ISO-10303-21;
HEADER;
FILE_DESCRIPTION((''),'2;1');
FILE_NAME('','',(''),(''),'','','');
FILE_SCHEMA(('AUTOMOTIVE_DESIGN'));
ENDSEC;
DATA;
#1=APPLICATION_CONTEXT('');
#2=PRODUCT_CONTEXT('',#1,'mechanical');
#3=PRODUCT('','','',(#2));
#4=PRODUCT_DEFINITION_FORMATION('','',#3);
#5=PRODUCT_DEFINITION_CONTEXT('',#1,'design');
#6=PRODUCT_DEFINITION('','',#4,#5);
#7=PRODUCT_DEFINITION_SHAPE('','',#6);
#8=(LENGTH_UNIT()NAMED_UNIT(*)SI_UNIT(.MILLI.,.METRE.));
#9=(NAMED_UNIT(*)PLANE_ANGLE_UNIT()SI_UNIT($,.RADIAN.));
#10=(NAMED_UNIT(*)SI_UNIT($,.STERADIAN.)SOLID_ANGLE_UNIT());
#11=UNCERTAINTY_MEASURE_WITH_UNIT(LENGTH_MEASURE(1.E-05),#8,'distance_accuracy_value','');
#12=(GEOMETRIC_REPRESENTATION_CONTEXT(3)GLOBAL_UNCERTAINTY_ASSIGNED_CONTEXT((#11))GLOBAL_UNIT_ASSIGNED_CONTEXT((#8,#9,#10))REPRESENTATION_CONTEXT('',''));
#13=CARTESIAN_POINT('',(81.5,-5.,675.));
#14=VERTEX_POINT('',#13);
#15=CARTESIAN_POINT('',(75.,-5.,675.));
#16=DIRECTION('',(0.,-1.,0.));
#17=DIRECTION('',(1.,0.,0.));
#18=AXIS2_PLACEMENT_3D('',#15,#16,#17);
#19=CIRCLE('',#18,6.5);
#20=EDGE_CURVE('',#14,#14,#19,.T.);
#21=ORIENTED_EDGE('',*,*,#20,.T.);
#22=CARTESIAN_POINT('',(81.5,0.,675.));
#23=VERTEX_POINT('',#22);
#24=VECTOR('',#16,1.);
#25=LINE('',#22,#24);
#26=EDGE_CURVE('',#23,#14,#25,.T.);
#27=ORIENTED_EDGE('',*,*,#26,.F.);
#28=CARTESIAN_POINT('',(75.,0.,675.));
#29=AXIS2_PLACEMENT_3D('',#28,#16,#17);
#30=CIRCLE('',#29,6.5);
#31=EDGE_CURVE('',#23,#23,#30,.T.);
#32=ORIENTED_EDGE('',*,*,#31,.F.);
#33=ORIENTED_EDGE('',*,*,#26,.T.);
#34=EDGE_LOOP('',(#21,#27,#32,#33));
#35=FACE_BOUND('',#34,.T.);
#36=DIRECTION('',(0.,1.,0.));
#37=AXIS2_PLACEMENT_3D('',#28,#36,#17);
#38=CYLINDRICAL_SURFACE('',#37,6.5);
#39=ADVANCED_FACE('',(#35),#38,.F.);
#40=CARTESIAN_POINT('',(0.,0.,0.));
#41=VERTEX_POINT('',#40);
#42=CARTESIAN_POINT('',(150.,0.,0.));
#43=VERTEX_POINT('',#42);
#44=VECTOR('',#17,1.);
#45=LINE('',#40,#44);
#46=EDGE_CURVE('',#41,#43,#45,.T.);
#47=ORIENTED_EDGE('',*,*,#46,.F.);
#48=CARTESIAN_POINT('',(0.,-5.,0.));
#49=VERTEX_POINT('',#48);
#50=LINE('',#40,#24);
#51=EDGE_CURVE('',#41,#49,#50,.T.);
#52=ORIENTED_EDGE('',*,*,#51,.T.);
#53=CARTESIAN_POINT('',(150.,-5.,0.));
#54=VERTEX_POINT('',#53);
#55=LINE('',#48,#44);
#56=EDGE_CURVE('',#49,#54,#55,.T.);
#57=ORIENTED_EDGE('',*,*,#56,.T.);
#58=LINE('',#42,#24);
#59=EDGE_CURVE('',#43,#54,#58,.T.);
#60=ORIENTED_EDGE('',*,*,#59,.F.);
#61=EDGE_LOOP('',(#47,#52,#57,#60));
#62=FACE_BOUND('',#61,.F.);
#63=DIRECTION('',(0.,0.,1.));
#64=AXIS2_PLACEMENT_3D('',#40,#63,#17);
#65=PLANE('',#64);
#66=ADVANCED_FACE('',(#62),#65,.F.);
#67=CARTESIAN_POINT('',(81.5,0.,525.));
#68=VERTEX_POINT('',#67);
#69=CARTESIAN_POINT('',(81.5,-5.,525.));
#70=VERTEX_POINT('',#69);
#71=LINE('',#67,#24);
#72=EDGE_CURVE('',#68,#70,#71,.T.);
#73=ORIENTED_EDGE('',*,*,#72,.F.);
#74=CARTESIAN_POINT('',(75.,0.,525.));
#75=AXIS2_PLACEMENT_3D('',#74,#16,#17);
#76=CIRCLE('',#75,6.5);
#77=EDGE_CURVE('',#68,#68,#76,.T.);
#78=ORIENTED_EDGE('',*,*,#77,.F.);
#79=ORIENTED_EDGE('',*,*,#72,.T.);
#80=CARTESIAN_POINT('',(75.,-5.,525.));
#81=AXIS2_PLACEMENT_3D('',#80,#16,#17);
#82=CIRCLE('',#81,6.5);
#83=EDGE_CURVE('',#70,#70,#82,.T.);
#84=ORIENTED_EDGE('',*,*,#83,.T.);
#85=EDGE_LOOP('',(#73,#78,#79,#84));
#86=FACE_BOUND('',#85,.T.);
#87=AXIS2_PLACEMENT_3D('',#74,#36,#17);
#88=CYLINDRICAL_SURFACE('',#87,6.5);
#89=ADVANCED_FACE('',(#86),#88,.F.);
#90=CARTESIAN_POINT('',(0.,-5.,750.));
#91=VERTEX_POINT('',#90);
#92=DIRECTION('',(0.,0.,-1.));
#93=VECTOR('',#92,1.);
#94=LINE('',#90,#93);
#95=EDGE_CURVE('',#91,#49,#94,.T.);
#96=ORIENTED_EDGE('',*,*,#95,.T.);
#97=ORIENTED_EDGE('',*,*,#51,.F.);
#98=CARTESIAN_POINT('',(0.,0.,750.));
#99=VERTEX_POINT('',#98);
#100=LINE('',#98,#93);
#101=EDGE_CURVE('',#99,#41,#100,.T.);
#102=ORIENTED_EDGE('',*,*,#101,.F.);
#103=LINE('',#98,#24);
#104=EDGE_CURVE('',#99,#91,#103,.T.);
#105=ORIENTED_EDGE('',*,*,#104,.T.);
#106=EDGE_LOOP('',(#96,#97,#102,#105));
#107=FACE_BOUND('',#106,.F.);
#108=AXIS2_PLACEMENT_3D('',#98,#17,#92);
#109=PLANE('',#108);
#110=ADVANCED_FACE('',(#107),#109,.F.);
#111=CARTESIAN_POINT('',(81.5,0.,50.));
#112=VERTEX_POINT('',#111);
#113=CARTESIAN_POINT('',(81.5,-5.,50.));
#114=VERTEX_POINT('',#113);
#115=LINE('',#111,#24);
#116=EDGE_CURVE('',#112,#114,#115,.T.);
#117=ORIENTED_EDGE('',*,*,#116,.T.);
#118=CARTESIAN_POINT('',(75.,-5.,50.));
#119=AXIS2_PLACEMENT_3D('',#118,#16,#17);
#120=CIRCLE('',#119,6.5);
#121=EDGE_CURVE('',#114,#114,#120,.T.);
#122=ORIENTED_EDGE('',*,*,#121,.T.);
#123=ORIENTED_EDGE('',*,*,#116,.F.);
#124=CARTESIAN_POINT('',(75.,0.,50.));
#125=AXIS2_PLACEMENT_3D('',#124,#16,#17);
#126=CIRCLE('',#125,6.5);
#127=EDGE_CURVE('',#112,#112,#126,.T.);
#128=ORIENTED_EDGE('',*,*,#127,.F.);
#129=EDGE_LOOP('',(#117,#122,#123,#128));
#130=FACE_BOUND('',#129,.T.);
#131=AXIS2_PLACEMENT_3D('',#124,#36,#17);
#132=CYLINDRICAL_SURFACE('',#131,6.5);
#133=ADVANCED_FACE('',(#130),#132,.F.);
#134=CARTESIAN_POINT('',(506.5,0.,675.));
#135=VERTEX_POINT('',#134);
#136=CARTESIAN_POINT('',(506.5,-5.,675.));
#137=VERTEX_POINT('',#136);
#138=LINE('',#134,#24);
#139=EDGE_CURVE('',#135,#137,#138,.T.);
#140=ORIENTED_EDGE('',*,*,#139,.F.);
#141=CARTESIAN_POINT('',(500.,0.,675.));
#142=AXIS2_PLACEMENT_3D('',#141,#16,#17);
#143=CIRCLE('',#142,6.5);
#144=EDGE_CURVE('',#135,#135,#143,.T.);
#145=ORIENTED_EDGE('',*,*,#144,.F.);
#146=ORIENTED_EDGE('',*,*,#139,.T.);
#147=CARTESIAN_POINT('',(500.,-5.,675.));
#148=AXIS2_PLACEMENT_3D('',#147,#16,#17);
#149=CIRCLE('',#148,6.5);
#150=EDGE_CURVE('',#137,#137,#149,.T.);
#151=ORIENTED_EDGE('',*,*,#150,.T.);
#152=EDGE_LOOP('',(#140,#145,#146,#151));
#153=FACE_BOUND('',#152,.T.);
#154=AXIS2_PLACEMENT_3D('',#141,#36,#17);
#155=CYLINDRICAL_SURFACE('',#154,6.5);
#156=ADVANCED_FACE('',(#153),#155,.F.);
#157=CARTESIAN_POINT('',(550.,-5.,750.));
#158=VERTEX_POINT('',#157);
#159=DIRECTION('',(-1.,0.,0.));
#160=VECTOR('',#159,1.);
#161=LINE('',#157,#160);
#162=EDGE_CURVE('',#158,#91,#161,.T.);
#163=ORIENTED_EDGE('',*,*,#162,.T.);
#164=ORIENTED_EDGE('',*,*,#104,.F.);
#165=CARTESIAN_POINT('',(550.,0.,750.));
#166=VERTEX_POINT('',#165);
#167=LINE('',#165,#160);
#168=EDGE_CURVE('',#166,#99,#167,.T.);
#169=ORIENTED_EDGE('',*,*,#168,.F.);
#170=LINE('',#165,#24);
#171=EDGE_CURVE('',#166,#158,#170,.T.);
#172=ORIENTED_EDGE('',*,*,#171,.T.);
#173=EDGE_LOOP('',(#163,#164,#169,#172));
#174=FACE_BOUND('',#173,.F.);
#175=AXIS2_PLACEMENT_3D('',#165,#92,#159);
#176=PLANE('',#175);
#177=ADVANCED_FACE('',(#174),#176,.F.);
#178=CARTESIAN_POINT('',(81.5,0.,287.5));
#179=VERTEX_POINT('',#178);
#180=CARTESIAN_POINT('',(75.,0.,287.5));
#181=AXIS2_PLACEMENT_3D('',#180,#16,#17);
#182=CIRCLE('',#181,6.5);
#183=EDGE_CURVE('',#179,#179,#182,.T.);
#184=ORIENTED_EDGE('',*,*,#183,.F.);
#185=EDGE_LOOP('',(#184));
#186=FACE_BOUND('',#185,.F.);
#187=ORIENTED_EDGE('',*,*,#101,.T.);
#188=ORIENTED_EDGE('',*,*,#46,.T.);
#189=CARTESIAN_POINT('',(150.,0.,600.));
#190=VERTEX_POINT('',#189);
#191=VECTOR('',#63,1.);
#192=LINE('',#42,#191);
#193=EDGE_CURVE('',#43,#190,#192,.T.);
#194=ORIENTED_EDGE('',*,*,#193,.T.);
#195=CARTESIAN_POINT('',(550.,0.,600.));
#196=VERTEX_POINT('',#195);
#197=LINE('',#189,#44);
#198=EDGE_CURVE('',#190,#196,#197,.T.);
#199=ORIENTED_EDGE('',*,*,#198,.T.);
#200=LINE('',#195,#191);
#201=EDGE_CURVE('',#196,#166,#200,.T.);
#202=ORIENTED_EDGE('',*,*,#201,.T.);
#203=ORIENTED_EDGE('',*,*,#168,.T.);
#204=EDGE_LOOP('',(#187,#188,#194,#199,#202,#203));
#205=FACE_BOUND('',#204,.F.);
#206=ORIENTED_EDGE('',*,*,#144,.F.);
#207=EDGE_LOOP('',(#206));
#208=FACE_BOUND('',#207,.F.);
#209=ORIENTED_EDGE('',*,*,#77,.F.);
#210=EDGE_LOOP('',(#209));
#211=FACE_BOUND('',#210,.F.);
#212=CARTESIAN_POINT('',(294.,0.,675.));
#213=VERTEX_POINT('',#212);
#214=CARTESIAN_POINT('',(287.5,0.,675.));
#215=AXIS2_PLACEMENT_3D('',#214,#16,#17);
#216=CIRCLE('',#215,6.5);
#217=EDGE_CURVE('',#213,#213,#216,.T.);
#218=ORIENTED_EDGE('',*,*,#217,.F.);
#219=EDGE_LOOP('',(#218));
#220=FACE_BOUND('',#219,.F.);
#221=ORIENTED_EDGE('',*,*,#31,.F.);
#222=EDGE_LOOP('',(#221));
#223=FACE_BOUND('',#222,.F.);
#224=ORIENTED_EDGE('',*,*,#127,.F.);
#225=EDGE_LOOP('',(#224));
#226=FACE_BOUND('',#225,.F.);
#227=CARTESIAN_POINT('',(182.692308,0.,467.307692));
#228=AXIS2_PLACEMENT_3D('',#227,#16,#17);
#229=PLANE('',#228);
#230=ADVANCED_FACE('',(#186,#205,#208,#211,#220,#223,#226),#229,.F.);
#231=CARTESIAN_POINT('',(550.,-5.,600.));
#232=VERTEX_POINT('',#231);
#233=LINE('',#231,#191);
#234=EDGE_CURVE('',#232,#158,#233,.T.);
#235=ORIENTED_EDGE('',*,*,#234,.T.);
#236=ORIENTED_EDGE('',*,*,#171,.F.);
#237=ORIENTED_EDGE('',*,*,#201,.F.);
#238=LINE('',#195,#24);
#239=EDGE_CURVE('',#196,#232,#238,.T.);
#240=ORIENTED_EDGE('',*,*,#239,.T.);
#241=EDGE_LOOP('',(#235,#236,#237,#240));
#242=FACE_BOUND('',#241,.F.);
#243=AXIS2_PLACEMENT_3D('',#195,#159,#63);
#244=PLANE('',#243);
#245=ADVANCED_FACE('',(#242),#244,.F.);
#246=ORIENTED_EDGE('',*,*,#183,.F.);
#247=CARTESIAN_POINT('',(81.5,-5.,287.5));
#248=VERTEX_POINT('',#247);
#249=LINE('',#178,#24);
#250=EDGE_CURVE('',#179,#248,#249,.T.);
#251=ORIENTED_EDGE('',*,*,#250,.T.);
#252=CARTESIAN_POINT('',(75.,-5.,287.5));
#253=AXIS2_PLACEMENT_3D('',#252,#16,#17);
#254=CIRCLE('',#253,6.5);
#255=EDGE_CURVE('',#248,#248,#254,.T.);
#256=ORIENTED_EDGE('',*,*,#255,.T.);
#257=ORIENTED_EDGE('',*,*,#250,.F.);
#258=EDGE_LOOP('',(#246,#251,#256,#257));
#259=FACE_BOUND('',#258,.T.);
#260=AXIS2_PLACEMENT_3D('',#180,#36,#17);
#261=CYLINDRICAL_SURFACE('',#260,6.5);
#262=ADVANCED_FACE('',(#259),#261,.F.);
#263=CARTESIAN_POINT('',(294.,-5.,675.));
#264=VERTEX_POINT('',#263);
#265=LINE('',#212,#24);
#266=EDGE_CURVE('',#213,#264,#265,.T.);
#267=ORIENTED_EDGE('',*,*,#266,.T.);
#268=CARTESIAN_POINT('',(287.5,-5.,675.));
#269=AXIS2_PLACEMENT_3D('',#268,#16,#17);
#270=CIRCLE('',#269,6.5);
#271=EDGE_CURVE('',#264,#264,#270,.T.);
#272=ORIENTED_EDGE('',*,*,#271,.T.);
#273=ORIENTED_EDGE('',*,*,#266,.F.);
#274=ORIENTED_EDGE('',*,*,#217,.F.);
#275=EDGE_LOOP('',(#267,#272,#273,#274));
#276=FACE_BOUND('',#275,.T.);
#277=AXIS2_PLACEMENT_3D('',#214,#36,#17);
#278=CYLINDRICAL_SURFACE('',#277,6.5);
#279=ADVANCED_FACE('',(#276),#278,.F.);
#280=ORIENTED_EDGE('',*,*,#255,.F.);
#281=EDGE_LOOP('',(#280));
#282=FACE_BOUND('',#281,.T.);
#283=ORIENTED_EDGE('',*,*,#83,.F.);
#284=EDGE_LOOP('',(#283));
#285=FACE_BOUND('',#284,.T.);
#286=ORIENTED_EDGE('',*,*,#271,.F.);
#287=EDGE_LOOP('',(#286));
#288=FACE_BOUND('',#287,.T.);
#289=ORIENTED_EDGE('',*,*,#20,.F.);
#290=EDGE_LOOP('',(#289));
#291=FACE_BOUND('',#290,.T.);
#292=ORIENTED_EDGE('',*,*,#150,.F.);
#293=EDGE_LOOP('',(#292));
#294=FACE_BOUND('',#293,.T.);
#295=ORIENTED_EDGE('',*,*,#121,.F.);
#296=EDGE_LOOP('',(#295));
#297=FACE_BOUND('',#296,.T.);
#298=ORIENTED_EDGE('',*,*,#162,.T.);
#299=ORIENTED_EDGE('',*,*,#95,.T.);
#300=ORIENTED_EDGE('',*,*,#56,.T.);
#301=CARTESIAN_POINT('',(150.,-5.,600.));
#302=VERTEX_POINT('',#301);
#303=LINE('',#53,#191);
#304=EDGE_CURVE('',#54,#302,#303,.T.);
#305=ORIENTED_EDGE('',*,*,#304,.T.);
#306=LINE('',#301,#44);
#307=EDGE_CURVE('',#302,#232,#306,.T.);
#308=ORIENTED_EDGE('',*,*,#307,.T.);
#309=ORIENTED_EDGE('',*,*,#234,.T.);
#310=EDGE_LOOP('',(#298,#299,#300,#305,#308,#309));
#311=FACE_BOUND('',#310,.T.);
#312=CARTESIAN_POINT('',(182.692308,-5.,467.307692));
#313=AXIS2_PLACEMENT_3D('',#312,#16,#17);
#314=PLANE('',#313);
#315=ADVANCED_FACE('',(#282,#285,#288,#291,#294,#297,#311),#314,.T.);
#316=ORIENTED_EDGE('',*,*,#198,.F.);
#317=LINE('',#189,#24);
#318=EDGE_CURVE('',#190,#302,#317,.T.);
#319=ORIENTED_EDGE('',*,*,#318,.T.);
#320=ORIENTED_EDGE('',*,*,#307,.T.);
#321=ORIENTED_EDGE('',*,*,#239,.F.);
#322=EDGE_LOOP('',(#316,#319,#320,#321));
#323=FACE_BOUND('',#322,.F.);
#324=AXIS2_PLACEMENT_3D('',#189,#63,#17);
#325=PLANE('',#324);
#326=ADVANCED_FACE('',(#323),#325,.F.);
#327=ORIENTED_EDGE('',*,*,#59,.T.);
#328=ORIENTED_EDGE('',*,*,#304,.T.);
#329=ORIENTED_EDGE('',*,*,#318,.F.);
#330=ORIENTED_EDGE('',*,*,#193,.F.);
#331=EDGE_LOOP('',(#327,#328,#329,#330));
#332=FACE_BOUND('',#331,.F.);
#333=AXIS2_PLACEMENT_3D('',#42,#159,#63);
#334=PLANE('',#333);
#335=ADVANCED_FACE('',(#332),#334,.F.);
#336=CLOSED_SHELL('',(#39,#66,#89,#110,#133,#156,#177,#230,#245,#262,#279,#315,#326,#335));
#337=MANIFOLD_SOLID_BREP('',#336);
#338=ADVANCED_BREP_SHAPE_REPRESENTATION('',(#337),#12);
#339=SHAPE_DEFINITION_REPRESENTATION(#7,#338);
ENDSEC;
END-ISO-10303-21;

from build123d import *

# Parameters (mm, degrees)
F0_R     = 6.5
F1_DEPTH = 5


with BuildPart() as f1:
    # F0 (on Front) → F1 (new body)
    with BuildSketch(Plane.XZ):
        Polygon((0, 750), (0, 0), (150, 0), (150, 600), (550, 600), (550, 750), align=None)
        with Locations((75, 50)):
            Circle(F0_R, mode=Mode.SUBTRACT)
        with Locations((75, 287.5)):
            Circle(F0_R, mode=Mode.SUBTRACT)
        with Locations((75, 525)):
            Circle(F0_R, mode=Mode.SUBTRACT)
        with Locations((75, 675)):
            Circle(F0_R, mode=Mode.SUBTRACT)
        with Locations((287.5, 675)):
            Circle(F0_R, mode=Mode.SUBTRACT)
        with Locations((500, 675)):
            Circle(F0_R, mode=Mode.SUBTRACT)
    extrude(amount=F1_DEPTH)


solid = f1.part
